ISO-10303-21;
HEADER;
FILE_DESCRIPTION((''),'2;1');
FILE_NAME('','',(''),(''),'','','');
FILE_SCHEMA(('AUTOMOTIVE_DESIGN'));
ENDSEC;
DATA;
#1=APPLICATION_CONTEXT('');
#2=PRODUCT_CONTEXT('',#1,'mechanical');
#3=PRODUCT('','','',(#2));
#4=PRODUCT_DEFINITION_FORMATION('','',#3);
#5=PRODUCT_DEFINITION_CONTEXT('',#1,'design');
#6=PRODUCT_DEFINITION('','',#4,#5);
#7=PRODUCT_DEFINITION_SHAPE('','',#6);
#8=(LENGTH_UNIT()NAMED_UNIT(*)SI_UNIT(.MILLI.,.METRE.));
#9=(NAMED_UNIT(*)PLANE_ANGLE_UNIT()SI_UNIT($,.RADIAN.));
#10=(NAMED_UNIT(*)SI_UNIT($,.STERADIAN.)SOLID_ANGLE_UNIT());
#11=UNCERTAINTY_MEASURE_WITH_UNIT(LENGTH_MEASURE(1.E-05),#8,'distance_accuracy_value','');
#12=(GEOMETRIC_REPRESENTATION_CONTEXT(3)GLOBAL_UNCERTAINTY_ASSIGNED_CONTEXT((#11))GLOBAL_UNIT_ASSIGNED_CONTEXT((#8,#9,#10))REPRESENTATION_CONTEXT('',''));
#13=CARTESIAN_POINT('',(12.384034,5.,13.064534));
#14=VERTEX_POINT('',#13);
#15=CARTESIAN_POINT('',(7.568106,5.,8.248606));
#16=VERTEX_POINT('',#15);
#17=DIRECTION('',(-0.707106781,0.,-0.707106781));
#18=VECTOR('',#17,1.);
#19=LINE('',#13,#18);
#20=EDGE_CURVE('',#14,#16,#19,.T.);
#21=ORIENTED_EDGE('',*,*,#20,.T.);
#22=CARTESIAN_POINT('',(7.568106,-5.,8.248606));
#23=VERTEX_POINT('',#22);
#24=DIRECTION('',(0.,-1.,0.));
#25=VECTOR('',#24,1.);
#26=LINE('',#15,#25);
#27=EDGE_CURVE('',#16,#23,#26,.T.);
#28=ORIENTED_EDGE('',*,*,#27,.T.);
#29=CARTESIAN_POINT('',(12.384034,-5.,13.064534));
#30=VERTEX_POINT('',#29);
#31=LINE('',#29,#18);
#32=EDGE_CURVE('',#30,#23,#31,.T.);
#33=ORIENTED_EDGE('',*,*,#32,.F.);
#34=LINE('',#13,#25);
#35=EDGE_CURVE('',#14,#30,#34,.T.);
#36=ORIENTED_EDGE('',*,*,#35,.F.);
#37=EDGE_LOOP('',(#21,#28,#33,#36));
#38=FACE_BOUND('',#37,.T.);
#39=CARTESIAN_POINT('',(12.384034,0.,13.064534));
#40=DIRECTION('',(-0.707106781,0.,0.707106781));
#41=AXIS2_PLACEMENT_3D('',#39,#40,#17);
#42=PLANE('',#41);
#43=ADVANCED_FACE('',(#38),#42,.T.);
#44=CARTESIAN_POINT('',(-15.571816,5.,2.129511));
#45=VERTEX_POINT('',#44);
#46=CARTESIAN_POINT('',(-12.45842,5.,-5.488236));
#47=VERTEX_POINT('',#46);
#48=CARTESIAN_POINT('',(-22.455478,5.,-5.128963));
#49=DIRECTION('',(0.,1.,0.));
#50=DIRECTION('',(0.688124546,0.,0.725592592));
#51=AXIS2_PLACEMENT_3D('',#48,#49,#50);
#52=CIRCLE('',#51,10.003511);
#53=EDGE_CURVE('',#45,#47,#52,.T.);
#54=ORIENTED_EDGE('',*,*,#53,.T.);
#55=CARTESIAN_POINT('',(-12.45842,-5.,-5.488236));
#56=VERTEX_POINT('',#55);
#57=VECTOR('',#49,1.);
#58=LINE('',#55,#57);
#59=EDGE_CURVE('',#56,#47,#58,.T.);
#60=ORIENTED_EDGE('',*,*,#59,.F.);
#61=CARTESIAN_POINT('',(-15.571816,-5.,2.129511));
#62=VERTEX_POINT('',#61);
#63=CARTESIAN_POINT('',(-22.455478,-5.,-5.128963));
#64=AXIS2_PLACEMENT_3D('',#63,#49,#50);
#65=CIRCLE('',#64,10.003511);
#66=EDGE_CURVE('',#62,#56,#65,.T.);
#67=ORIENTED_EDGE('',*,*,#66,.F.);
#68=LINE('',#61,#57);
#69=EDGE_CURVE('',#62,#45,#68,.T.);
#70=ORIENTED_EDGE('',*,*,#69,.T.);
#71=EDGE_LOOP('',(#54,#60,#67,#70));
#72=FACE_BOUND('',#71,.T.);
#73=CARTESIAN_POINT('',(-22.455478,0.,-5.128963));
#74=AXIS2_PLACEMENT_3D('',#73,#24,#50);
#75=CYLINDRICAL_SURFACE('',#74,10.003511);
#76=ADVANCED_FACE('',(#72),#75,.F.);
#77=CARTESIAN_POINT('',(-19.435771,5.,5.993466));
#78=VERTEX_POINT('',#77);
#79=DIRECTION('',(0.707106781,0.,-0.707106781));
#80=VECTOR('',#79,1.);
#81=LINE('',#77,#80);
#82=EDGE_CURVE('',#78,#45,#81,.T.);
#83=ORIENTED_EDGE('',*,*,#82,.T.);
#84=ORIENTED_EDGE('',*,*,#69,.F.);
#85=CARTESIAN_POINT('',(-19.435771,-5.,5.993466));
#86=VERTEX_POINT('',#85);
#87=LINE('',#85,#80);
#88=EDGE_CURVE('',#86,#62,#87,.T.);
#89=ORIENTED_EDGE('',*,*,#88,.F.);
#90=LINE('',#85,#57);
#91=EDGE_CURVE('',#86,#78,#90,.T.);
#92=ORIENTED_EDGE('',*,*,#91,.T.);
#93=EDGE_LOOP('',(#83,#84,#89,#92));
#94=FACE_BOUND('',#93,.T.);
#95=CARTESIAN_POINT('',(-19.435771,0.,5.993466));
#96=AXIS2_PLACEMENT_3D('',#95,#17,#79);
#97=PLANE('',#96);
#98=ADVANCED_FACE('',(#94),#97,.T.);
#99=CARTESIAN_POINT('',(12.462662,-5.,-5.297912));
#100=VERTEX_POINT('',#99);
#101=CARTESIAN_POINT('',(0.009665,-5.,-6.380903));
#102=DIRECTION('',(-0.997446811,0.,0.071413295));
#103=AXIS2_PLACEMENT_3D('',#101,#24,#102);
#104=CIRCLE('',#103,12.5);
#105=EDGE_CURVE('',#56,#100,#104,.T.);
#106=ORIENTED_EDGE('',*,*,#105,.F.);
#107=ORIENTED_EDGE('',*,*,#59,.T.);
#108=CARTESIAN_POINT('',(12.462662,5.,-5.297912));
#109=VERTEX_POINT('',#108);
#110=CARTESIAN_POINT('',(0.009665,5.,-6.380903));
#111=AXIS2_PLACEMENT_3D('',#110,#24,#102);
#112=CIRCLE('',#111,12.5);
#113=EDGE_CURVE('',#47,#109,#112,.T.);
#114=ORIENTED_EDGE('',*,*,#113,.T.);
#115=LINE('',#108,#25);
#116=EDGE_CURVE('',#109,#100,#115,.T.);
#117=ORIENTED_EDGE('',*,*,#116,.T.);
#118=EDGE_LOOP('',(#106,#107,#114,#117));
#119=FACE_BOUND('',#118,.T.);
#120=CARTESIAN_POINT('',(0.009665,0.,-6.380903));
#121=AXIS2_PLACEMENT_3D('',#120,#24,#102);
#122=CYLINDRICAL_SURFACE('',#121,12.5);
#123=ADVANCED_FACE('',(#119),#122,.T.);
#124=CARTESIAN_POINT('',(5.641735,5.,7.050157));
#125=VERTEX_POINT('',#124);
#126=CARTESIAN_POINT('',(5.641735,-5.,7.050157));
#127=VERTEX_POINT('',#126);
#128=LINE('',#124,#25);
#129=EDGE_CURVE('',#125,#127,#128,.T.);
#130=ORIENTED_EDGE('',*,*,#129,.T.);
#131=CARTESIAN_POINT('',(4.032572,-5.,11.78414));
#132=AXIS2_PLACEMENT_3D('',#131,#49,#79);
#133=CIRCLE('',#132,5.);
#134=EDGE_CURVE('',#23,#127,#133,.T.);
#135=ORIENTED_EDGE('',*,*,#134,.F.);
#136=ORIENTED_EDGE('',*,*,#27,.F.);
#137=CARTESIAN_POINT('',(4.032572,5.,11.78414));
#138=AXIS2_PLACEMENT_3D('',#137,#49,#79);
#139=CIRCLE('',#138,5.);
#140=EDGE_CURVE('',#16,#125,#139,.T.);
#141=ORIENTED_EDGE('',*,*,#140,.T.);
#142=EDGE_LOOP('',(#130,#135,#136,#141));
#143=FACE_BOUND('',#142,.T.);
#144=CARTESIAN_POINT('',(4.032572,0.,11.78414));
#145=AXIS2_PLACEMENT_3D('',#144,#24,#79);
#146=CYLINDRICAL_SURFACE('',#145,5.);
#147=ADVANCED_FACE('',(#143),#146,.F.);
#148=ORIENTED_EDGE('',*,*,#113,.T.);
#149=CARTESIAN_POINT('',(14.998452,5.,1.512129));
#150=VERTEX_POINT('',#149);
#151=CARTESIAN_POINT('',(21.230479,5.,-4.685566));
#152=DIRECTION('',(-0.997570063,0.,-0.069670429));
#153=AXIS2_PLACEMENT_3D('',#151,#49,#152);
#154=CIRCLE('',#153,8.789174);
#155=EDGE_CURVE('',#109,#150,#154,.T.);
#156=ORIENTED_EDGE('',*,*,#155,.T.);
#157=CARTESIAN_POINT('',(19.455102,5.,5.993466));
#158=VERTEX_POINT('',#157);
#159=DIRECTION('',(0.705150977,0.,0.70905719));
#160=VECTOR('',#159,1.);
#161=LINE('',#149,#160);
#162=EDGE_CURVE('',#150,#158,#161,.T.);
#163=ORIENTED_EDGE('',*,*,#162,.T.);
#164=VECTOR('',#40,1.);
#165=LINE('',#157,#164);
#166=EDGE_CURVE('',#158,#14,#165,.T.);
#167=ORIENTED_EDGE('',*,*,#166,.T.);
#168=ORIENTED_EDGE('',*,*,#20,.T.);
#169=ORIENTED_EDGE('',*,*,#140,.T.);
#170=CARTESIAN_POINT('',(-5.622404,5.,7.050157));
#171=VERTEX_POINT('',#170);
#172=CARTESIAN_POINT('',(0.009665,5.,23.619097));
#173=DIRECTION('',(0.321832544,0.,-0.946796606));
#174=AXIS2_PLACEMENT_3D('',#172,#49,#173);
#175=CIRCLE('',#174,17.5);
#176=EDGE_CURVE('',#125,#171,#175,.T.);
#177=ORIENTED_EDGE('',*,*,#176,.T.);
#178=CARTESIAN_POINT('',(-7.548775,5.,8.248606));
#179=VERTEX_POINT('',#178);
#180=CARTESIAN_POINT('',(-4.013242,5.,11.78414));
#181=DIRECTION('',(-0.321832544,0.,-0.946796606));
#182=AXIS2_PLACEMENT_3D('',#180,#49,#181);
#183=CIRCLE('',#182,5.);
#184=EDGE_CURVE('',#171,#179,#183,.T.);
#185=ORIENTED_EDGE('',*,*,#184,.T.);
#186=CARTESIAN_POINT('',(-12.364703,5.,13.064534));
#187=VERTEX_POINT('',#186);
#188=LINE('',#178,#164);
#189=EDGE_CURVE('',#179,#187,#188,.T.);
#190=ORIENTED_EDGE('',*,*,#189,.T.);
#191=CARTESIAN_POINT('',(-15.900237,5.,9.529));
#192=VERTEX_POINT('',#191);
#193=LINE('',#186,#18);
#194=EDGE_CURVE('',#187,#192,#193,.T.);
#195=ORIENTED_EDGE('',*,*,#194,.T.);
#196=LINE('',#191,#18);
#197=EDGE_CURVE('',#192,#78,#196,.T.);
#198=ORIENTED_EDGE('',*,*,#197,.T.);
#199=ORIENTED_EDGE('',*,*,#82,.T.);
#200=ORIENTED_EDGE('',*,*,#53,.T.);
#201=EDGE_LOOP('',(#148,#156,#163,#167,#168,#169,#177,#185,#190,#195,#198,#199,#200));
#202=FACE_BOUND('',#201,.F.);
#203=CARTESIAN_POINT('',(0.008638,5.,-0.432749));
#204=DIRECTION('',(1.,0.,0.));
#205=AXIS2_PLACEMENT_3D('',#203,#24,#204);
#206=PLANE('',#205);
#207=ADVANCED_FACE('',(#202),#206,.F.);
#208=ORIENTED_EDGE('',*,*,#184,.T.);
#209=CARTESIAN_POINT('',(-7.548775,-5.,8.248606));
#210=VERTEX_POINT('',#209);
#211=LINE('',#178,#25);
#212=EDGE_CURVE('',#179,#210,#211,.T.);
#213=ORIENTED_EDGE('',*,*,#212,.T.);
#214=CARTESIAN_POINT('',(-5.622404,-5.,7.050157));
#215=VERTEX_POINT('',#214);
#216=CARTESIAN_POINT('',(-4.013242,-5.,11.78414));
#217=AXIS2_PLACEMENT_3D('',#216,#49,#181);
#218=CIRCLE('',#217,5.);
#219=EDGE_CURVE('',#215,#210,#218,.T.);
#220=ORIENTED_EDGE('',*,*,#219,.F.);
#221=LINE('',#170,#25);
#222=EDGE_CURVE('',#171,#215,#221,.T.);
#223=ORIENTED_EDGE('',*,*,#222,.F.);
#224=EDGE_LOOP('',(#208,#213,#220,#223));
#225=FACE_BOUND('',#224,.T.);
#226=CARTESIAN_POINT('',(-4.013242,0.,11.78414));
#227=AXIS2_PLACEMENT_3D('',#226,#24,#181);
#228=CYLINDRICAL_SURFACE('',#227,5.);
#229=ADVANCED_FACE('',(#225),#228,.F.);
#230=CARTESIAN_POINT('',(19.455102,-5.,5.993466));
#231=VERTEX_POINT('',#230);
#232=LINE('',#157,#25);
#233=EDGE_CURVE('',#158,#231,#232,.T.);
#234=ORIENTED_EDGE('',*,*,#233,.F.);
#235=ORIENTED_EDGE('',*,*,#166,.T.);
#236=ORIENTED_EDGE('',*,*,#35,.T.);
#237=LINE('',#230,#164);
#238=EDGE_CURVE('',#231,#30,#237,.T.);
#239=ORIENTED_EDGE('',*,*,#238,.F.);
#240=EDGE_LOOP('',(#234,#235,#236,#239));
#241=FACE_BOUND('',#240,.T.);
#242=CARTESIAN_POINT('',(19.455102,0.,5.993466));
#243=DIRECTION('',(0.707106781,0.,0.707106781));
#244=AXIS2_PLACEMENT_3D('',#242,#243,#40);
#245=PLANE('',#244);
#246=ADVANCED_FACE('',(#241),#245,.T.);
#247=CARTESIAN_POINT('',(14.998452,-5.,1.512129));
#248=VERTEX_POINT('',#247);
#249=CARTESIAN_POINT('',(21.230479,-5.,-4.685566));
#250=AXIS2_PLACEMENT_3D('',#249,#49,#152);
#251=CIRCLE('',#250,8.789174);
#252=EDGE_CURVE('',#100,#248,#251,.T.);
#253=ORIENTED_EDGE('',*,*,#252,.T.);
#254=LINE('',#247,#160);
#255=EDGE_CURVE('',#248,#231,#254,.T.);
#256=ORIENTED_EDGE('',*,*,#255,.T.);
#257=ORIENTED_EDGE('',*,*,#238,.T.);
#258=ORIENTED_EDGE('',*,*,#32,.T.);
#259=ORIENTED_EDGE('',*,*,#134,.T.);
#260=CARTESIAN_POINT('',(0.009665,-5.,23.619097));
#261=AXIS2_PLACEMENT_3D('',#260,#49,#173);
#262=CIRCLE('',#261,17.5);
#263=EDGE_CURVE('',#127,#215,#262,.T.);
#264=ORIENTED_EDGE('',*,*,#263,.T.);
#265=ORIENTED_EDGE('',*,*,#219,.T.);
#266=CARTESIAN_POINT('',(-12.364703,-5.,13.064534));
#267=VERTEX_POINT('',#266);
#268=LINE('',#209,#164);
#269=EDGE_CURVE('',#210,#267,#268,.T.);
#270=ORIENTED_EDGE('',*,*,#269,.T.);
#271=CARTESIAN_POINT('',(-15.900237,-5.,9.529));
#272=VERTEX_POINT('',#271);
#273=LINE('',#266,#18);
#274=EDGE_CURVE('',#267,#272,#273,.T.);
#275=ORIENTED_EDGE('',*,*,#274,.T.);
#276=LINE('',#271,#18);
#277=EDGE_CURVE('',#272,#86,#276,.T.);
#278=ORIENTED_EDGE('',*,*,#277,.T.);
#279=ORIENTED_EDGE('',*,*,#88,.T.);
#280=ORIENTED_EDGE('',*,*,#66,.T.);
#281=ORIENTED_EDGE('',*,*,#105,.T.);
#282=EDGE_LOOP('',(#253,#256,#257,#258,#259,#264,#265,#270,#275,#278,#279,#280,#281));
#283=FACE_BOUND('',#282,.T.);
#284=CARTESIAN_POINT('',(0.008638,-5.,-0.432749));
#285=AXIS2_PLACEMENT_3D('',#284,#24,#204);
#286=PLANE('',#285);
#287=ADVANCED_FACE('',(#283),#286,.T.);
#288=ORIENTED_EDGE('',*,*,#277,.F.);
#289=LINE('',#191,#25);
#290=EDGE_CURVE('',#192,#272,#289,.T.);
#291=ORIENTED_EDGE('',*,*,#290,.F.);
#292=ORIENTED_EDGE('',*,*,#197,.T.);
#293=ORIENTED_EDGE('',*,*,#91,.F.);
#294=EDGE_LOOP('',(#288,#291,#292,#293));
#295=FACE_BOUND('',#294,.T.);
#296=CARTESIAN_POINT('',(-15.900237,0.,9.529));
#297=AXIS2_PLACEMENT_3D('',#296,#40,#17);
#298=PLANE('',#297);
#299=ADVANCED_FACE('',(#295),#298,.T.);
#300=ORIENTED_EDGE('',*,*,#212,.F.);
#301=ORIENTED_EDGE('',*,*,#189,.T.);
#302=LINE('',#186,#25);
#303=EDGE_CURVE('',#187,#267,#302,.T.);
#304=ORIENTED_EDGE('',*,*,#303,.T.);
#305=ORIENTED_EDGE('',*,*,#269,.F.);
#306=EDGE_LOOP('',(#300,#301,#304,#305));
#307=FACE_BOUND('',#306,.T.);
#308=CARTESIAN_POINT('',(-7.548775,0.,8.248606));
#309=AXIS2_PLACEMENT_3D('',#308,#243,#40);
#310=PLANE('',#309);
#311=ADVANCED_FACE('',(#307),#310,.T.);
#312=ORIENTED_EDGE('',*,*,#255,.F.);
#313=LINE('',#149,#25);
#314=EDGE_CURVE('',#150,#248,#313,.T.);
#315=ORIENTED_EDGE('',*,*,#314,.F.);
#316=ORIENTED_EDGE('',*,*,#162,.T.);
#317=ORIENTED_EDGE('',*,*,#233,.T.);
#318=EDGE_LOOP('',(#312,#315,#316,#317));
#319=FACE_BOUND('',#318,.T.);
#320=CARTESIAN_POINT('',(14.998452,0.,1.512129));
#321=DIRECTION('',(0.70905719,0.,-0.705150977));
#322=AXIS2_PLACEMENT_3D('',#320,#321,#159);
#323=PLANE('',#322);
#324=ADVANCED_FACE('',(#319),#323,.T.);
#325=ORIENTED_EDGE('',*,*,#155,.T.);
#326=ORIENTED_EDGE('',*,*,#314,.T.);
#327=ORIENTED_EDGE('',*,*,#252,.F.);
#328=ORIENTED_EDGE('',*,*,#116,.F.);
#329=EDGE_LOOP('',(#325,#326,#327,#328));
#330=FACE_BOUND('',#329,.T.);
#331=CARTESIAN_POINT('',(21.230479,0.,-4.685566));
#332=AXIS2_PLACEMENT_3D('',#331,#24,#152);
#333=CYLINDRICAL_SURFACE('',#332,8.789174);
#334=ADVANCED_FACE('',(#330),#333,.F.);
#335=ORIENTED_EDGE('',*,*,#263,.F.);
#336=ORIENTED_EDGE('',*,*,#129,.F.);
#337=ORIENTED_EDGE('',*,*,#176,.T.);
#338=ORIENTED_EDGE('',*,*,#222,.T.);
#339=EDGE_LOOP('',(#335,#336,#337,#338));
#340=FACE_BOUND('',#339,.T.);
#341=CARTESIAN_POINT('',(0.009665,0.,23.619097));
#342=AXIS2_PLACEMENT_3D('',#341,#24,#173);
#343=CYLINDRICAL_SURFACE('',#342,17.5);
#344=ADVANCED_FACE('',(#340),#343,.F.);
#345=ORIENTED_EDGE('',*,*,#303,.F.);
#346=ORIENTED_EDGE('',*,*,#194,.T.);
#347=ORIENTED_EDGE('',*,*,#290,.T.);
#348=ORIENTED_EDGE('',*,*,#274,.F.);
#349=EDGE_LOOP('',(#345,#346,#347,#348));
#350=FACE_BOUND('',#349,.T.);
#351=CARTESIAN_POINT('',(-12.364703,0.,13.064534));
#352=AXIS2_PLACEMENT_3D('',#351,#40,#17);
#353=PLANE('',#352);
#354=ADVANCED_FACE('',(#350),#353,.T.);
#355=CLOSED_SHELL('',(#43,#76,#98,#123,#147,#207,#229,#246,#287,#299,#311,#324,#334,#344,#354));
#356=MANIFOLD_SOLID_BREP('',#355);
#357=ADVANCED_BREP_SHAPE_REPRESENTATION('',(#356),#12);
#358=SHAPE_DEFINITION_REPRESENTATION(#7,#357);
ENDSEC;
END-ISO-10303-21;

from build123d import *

# Parameters (mm, degrees)
F1_DEPTH = 5


with BuildPart() as f1:
    # F0 (on Front) → F1 (new body, symmetric)
    with BuildSketch(Plane.XZ):
        with BuildLine():
            ThreePointArc((-12.4584198503, -5.4882363506), (0.1051261875, -18.8805380191), (12.4626621523, -5.2979116934))
            ThreePointArc((12.4626621523, -5.2979116934), (12.9937933526, -1.6185498366), (14.9984520469, 1.5121286114))
            Line((14.9984520469, 1.5121286114), (19.4551017733, 5.993466135))
            Line((19.4551017733, 5.993466135), (15.9195678673, 9.529000041))
            Line((15.9195678673, 9.529000041), (12.3840339614, 13.0645339469))
            Line((12.3840339614, 13.0645339469), (7.5681059936, 8.2486059791))
            ThreePointArc((7.5681059936, 8.2486059791), (6.6737926231, 7.5386771207), (5.6417348065, 7.0501568533))
            ThreePointArc((5.6417348065, 7.0501568533), (0.0096652906, 6.1190974643), (-5.6224042252, 7.0501568533))
            ThreePointArc((-5.6224042252, 7.0501568533), (-6.6544620419, 7.5386771207), (-7.5487754123, 8.2486059791))
            Line((-7.5487754123, 8.2486059791), (-12.3647033801, 13.0645339469))
            Line((-12.3647033801, 13.0645339469), (-15.9002372861, 9.529000041))
            Line((-15.9002372861, 9.529000041), (-19.435771192, 5.993466135))
            Line((-19.435771192, 5.993466135), (-15.5718158528, 2.1295107958))
            ThreePointArc((-15.5718158528, 2.1295107958), (-13.1954997116, -1.3443823965), (-12.4584198503, -5.4882363506))
        make_face()
    extrude(amount=F1_DEPTH, both=True)


solid = f1.part
